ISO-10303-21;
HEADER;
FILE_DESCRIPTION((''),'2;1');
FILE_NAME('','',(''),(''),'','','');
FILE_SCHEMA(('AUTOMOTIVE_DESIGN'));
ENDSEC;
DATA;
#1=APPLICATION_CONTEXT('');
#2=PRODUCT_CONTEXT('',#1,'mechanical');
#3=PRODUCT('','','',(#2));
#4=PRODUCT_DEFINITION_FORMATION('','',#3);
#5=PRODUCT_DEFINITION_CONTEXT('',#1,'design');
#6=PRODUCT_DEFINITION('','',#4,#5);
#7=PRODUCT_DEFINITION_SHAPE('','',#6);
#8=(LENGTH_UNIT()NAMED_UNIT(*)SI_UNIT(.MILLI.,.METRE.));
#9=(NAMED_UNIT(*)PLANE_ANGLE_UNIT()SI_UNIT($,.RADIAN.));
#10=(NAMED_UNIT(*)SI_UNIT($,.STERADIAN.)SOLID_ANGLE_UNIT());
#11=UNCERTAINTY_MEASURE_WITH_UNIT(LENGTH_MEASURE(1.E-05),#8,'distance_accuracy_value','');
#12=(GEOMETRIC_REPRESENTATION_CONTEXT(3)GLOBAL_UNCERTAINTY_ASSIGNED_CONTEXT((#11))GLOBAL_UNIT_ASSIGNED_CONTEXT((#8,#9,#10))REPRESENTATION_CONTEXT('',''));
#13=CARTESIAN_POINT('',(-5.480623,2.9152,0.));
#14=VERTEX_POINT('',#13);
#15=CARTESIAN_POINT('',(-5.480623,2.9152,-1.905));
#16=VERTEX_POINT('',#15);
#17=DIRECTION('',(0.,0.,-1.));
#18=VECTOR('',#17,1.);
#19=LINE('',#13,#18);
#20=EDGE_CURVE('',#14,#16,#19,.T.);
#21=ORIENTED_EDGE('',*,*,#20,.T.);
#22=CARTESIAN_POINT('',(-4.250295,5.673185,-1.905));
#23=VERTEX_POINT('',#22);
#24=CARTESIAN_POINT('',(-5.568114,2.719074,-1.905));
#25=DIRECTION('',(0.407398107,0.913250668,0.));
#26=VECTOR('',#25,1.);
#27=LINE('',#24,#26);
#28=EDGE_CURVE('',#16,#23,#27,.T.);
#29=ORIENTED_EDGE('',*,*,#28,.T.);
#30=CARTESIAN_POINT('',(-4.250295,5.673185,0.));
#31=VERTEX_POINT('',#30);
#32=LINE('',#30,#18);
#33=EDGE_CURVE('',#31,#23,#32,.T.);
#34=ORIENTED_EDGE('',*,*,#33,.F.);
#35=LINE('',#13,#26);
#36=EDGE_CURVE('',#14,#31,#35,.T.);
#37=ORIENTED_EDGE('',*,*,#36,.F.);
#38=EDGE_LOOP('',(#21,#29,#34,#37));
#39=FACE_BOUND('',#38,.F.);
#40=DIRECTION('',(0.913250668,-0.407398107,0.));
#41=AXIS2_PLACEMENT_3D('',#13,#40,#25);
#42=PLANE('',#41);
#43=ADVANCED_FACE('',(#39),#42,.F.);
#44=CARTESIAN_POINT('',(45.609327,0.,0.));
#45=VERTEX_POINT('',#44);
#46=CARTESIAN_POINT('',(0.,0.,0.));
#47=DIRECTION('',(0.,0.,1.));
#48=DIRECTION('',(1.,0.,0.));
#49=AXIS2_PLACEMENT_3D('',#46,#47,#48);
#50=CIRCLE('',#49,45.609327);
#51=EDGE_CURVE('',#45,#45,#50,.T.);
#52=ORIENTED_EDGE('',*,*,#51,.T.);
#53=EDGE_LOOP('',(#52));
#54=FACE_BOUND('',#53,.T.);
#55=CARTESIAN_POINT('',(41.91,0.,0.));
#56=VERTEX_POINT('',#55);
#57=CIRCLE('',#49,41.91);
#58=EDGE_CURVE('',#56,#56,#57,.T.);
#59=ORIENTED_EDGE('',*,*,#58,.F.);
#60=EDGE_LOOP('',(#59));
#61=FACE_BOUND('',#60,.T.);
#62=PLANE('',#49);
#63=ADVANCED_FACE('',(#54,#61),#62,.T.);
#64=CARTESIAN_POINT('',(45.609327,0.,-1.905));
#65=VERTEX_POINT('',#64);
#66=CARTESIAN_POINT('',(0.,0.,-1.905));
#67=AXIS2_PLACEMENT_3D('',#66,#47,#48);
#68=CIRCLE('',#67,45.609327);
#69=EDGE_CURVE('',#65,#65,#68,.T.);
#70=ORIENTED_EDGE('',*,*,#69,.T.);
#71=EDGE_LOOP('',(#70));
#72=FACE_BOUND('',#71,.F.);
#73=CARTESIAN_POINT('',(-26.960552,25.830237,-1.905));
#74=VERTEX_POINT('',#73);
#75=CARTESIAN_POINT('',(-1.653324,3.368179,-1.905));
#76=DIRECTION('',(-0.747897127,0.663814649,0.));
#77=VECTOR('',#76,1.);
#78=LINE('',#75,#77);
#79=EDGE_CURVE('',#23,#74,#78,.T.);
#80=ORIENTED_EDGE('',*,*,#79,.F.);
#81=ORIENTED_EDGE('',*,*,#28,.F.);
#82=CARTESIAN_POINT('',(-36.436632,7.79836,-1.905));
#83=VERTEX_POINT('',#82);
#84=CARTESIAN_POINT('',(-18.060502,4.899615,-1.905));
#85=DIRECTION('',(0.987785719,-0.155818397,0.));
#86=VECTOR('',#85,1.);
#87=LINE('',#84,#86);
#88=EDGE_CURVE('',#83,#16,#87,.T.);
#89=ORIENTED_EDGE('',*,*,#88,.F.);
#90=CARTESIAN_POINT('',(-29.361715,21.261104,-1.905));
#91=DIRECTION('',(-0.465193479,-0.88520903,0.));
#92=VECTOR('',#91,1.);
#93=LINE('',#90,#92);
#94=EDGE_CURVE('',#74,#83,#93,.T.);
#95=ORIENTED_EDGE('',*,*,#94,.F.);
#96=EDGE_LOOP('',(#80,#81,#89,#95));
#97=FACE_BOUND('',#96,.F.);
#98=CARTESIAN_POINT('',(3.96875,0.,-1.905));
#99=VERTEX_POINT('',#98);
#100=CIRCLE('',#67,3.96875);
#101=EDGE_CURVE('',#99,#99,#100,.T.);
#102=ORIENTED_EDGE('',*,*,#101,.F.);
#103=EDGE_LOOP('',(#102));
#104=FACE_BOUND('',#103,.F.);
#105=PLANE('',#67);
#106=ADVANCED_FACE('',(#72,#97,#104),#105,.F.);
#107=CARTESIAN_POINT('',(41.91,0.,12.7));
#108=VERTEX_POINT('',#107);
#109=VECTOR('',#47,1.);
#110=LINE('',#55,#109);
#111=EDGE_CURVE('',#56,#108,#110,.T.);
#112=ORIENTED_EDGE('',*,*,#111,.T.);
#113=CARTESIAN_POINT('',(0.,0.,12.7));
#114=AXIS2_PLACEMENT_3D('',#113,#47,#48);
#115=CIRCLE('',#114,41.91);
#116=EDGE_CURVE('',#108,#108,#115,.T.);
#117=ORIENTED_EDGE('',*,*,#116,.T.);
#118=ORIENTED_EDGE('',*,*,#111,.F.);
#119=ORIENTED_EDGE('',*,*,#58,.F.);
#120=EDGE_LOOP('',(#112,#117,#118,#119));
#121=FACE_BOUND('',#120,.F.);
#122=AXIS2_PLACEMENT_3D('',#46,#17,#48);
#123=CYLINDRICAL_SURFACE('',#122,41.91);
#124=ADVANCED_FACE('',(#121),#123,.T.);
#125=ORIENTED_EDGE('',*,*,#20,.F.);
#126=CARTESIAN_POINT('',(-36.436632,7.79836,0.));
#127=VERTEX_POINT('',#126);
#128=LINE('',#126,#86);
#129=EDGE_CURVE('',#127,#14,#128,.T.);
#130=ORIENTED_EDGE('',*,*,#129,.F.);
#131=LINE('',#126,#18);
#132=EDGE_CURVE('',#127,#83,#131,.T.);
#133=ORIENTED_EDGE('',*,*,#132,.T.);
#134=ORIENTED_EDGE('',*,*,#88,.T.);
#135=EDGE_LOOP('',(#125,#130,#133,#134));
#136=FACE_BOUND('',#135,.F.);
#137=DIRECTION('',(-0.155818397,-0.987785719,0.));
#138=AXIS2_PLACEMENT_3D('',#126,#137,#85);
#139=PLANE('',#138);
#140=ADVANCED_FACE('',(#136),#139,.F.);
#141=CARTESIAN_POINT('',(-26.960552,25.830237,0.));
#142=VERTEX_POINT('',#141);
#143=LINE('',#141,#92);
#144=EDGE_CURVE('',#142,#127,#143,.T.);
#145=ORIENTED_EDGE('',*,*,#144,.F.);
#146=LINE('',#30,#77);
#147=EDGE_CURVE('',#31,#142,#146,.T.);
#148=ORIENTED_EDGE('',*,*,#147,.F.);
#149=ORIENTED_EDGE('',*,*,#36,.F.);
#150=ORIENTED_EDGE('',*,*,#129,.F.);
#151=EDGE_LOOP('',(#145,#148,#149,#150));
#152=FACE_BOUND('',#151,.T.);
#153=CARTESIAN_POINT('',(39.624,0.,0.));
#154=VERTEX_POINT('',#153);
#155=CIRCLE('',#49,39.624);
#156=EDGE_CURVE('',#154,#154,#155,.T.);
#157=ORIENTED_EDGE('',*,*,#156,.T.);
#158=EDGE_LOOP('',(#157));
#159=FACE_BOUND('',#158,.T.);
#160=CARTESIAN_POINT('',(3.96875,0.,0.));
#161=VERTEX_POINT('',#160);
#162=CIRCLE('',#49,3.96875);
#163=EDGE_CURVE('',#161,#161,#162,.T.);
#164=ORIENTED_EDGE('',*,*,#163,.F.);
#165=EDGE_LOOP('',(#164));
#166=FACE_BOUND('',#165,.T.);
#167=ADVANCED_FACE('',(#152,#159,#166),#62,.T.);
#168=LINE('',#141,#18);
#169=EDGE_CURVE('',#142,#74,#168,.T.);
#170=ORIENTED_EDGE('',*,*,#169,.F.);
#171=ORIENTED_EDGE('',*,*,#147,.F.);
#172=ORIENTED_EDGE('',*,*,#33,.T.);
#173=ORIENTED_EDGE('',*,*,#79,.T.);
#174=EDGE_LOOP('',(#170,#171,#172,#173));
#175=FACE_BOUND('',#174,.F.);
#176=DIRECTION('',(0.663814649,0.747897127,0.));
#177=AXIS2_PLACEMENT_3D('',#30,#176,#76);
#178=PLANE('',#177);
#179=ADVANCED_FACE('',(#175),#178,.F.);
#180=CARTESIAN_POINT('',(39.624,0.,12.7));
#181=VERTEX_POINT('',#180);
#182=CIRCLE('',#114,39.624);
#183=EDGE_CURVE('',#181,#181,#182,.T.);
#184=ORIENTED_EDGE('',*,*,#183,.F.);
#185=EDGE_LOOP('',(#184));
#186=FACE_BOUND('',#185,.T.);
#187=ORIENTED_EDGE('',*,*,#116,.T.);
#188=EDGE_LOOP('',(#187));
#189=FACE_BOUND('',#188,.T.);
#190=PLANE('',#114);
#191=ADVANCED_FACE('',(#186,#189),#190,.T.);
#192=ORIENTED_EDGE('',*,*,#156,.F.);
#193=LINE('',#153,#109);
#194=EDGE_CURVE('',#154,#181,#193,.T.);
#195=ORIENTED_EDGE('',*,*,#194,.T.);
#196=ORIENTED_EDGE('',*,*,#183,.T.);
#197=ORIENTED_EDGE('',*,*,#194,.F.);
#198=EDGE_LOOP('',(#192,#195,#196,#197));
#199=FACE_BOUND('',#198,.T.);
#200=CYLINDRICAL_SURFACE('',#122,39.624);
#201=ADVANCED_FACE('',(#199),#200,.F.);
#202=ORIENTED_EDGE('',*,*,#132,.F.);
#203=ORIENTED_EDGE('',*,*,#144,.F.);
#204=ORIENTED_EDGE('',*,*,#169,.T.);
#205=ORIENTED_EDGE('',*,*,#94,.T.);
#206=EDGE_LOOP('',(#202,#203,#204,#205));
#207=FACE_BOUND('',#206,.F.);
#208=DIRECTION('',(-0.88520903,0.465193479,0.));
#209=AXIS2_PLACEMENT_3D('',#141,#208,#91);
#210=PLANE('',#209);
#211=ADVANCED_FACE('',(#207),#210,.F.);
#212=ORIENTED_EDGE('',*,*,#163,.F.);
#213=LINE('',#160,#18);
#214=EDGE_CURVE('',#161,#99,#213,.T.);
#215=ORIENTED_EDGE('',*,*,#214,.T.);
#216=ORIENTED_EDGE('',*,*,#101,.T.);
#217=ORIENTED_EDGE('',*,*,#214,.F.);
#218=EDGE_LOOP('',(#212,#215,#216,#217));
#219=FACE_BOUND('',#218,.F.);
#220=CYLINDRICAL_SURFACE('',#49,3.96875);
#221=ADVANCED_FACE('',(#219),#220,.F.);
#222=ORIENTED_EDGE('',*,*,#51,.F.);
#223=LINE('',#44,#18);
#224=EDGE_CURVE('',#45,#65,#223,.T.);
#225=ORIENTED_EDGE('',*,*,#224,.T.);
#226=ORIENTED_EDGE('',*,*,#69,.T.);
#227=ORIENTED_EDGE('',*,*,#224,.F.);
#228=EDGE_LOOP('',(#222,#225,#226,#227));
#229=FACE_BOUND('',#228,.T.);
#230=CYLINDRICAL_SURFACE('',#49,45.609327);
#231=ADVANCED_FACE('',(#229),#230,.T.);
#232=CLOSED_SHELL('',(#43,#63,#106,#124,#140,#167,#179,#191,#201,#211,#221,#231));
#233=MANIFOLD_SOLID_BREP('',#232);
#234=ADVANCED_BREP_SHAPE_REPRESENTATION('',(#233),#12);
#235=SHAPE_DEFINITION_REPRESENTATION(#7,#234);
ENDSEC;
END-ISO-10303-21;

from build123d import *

# Parameters (mm, degrees)
F0_R     = 41.91
F0_R_2   = 39.624
F1_DEPTH = 12.7
F2_R     = 45.609327
F4_DEPTH = 1.905
F3_R     = 3.96875
F5_DEPTH = 25.4
F7_DEPTH = 5.334


with BuildPart() as f1:
    # F0 (on Top) → F1 (new body)
    with BuildSketch(Plane.XY):
        Circle(F0_R)
        Circle(F0_R_2, mode=Mode.SUBTRACT)
    extrude(amount=F1_DEPTH)

    # F2 (on Top) → F4 (join)
    with BuildSketch(Plane.XY):
        Circle(F2_R)
    extrude(amount=-F4_DEPTH)

    # F3 (on Top) → F5 (cut)
    with BuildSketch(Plane.XY):
        Circle(F3_R)
    extrude(amount=-F5_DEPTH, mode=Mode.SUBTRACT)

    # F6 (on Top) → F7 (cut)
    with BuildSketch(Plane.XY):
        Polygon((-5.480623, 2.9152), (-4.250295, 5.673185), (-26.960552, 25.830237), (-36.436632, 7.79836), align=None)
    extrude(amount=-F7_DEPTH, mode=Mode.SUBTRACT)


solid = f1.part
